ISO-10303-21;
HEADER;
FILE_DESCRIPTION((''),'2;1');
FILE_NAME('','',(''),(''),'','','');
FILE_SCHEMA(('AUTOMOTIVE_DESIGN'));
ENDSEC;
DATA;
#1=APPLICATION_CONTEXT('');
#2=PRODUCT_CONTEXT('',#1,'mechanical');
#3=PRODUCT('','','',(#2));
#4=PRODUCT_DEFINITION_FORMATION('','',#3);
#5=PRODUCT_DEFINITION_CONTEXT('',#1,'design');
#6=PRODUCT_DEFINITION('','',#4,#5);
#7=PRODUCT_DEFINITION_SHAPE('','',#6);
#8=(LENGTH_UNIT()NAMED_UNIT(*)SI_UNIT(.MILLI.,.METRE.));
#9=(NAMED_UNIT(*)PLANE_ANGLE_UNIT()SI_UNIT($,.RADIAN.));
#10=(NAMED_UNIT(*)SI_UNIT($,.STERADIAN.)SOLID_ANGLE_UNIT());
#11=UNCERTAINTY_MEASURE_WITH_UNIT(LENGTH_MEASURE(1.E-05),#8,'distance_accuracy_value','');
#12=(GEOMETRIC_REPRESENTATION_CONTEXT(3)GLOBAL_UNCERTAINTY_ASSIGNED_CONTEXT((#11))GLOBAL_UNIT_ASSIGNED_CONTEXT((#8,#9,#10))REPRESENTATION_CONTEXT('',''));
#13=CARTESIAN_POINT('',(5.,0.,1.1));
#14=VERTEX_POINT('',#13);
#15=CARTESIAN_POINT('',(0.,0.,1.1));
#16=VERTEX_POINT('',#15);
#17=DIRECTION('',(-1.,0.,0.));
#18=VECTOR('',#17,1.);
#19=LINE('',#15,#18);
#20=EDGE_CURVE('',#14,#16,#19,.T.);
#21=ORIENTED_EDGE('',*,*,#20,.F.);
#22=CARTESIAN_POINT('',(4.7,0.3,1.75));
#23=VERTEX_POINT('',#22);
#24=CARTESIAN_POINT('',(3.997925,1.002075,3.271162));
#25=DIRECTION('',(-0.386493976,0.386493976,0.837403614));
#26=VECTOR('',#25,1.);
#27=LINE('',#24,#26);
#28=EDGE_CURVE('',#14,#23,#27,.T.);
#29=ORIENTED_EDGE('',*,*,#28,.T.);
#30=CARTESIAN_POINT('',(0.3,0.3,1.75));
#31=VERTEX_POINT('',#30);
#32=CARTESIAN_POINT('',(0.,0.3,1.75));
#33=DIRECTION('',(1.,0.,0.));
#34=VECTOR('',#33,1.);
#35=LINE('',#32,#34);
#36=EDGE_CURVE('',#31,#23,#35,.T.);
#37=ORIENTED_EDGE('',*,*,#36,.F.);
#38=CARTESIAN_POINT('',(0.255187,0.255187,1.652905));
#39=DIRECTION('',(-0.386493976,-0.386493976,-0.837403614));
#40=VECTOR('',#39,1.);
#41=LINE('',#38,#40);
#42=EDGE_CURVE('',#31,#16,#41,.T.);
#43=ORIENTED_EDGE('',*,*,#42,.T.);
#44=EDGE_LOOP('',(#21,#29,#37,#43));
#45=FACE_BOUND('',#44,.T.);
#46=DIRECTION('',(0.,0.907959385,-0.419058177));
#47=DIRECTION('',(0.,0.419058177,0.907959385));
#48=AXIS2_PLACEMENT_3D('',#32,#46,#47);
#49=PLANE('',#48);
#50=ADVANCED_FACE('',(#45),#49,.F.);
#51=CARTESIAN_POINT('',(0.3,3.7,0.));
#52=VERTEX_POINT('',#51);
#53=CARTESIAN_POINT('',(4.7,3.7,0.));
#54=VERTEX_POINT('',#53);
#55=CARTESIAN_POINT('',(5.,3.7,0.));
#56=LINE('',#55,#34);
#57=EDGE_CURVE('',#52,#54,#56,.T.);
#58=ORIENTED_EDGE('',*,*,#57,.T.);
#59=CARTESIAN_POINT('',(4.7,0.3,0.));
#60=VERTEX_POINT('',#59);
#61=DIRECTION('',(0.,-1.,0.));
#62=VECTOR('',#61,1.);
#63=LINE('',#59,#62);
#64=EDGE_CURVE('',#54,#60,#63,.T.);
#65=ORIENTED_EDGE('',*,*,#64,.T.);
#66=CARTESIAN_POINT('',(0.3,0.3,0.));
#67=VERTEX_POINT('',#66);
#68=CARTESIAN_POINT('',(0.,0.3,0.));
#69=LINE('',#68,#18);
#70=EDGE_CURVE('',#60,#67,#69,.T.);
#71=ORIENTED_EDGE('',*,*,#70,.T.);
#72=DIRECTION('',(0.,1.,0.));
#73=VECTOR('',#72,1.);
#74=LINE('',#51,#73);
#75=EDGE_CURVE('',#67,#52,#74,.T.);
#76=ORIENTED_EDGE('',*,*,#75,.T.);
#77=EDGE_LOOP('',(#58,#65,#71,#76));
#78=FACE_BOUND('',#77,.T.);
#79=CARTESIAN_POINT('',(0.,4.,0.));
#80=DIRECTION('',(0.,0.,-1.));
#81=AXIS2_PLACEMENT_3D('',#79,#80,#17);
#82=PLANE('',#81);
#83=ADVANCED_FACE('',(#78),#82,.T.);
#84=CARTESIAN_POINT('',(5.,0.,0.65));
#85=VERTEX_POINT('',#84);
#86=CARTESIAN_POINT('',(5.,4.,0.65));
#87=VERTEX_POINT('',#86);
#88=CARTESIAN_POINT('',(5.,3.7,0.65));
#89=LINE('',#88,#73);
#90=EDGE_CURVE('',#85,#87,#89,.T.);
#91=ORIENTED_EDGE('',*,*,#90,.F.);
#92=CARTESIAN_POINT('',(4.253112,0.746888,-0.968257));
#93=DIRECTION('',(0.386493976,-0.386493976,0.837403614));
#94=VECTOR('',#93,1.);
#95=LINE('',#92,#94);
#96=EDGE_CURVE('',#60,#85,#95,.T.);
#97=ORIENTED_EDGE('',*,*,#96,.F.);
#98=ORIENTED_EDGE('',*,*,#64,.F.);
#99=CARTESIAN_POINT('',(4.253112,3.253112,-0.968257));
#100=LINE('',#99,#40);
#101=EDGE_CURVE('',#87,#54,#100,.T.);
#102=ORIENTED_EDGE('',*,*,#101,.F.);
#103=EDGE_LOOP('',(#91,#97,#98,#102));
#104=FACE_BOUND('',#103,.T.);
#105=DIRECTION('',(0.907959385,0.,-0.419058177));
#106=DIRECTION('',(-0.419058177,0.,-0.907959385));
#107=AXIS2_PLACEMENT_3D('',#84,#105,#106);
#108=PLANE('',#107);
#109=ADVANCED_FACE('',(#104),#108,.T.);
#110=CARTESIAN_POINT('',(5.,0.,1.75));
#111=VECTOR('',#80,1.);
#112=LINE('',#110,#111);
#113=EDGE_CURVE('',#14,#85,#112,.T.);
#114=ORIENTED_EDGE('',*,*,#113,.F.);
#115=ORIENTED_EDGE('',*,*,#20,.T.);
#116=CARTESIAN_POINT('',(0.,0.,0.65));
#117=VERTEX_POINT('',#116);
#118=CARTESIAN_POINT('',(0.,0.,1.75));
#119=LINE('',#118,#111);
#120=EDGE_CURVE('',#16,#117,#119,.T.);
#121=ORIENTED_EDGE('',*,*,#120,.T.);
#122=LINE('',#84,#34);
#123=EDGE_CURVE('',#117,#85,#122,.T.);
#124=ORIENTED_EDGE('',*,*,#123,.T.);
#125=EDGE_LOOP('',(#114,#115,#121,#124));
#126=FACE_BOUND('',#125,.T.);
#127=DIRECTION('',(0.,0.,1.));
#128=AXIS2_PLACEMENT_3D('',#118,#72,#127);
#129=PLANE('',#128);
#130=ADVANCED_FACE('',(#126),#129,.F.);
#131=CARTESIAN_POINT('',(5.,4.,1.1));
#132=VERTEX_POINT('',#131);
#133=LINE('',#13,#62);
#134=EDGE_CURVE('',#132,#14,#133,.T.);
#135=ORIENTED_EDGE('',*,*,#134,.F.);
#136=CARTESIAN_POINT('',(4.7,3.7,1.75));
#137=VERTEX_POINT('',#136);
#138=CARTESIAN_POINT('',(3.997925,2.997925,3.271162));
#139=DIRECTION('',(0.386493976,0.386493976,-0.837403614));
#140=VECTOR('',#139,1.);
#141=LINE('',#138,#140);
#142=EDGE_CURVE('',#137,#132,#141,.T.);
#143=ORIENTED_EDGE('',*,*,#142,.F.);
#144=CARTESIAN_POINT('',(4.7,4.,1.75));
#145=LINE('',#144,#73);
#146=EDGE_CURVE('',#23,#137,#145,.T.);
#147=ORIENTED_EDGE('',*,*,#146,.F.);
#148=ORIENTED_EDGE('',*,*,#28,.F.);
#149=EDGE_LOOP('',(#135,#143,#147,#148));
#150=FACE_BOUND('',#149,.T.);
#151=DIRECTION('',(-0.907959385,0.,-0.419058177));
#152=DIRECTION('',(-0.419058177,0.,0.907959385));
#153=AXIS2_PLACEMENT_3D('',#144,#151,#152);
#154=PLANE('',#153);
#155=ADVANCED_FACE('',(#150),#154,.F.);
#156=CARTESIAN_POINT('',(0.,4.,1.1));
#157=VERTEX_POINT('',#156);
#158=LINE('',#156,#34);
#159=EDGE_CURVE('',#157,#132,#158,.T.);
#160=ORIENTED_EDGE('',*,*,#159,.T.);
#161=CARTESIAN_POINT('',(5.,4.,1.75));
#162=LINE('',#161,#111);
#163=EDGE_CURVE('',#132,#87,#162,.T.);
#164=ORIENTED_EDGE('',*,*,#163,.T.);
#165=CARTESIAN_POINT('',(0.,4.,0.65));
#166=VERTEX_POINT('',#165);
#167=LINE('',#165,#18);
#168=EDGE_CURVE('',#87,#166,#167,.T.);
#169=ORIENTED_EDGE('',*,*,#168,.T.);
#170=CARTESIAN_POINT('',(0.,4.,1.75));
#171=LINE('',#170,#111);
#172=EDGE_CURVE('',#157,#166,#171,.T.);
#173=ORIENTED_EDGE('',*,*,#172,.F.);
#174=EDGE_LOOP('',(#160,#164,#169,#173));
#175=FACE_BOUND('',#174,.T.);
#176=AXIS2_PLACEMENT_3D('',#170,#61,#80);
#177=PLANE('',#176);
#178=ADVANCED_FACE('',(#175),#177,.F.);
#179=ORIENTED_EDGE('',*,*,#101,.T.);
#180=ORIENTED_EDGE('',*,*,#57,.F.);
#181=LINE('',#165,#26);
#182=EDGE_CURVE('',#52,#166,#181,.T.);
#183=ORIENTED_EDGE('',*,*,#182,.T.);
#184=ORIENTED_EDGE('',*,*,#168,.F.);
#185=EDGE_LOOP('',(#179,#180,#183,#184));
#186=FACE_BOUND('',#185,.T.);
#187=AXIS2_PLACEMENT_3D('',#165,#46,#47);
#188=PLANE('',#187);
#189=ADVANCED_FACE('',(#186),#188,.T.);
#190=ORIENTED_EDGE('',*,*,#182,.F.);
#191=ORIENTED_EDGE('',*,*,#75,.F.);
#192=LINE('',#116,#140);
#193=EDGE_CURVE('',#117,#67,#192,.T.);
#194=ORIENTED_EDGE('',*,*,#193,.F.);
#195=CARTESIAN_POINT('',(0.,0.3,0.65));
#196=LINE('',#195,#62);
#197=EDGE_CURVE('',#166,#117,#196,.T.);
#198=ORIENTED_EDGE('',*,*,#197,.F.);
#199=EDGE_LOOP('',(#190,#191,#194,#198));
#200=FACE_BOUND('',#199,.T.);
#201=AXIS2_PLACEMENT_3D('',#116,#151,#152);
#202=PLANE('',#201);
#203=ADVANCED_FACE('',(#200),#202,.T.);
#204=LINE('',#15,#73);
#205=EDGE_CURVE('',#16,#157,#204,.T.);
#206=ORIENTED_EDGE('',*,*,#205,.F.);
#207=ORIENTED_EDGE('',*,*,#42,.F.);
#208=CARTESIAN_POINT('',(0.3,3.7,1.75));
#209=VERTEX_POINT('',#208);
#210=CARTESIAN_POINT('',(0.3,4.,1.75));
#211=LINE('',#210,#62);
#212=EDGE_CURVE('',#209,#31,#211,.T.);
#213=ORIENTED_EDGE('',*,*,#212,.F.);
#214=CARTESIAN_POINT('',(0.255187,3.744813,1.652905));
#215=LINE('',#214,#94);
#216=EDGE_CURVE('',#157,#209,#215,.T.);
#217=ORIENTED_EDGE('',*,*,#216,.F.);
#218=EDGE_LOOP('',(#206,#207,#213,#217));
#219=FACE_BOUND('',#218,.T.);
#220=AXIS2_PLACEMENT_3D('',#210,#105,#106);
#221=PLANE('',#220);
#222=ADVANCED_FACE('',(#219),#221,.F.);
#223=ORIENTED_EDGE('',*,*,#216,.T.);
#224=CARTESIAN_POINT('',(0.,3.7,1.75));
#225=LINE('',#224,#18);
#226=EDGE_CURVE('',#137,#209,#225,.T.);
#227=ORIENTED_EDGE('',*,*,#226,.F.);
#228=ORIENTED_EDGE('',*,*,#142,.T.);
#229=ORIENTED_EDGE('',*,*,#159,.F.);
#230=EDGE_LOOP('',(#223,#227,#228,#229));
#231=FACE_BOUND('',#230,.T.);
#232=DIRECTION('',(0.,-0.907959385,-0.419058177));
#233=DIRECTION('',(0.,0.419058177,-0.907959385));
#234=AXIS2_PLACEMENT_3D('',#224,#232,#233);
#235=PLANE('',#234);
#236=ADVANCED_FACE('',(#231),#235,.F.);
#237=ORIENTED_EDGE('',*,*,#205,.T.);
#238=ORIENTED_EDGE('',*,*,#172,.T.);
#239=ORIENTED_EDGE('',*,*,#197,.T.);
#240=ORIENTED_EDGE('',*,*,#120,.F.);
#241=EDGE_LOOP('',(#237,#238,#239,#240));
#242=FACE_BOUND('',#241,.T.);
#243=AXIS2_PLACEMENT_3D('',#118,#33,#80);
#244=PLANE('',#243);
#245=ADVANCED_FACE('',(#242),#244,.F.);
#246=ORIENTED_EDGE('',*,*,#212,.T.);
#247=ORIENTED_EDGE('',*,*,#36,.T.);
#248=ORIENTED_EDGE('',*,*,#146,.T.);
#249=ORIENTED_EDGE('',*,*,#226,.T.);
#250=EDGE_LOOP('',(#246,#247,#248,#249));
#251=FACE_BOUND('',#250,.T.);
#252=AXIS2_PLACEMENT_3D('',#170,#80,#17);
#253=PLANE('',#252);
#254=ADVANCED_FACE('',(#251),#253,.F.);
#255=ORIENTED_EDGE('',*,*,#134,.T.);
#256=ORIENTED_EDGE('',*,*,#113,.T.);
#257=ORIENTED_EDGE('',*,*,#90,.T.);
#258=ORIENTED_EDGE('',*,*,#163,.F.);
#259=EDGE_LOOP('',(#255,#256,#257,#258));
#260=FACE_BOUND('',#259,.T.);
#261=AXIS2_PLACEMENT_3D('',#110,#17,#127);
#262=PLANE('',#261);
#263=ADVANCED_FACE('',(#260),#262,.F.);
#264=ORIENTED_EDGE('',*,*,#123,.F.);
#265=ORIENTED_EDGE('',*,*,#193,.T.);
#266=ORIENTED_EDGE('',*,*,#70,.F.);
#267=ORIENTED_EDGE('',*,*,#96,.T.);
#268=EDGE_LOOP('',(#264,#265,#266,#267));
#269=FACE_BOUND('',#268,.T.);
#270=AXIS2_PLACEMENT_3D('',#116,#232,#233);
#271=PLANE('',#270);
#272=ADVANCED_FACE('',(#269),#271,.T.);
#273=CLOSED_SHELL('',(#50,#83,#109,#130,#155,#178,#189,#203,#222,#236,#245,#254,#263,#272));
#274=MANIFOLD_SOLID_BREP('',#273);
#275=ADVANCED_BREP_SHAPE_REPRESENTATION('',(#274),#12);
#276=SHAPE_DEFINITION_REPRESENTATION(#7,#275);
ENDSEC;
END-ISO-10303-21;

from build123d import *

# Parameters (mm, degrees)
ESQUISSE1_W        = 5
ESQUISSE1_H        = 4
BOSS_EXTRU_1_DEPTH = 1.75
CHANFREIN1_SIZE    = 0.65
CHANFREIN1_SIZE2   = 0.3
CHANFREIN2_SIZE    = 0.3
CHANFREIN2_SIZE2   = 0.65
CHANFREIN3_SIZE    = 0.65
CHANFREIN3_SIZE2   = 0.3
CHANFREIN4_SIZE    = 0.3
CHANFREIN4_SIZE2   = 0.65
CHANFREIN5_SIZE    = 0.65
CHANFREIN5_SIZE2   = 0.3
CHANFREIN6_SIZE    = 0.3
CHANFREIN6_SIZE2   = 0.65
CHANFREIN7_SIZE    = 0.65
CHANFREIN7_SIZE2   = 0.3
CHANFREIN8_SIZE    = 0.3
CHANFREIN8_SIZE2   = 0.65


with BuildPart() as part:
    # Esquisse1 → Boss.-Extru.1 (new body)
    with BuildSketch(Plane.XY):
        with Locations((2.5, 2)):
            Rectangle(ESQUISSE1_W, ESQUISSE1_H)
    extrude(amount=BOSS_EXTRU_1_DEPTH)

    # Chanfrein1
    chanfrein1_edges = [part.edges().sort_by_distance(p)[0] for p in [
        (2.5, 0, 1.75),
    ]]
    chanfrein1_side = [part.faces().sort_by_distance(p)[0] for p in [
        (2.5, 0, 0.875),
    ]]
    chamfer(chanfrein1_edges, length=CHANFREIN1_SIZE, length2=CHANFREIN1_SIZE2, reference=chanfrein1_side[0])

    # Chanfrein2
    chanfrein2_edges = [part.edges().sort_by_distance(p)[0] for p in [
        (2.5, 0, 0),
    ]]
    chanfrein2_side = [part.faces().sort_by_distance(p)[0] for p in [
        (2.5, 2, 0),
    ]]
    chamfer(chanfrein2_edges, length=CHANFREIN2_SIZE, length2=CHANFREIN2_SIZE2, reference=chanfrein2_side[0])

    # Chanfrein3
    chanfrein3_edges = [part.edges().sort_by_distance(p)[0] for p in [
        (2.5, 4, 1.75),
    ]]
    chanfrein3_side = [part.faces().sort_by_distance(p)[0] for p in [
        (2.5, 4, 0.875),
    ]]
    chamfer(chanfrein3_edges, length=CHANFREIN3_SIZE, length2=CHANFREIN3_SIZE2, reference=chanfrein3_side[0])

    # Chanfrein4
    chanfrein4_edges = [part.edges().sort_by_distance(p)[0] for p in [
        (2.5, 4, 0),
    ]]
    chanfrein4_side = [part.faces().sort_by_distance(p)[0] for p in [
        (2.5, 2.15, 0),
    ]]
    chamfer(chanfrein4_edges, length=CHANFREIN4_SIZE, length2=CHANFREIN4_SIZE2, reference=chanfrein4_side[0])

    # Chanfrein5
    chanfrein5_edges = [part.edges().sort_by_distance(p)[0] for p in [
        (0, 2, 1.75),
    ]]
    chanfrein5_side = [part.faces().sort_by_distance(p)[0] for p in [
        (0, 2, 0.875),
    ]]
    chamfer(chanfrein5_edges, length=CHANFREIN5_SIZE, length2=CHANFREIN5_SIZE2, reference=chanfrein5_side[0])

    # Chanfrein6
    chanfrein6_edges = [part.edges().sort_by_distance(p)[0] for p in [
        (0, 2, 0),
    ]]
    chanfrein6_side = [part.faces().sort_by_distance(p)[0] for p in [
        (2.5, 2, 0),
    ]]
    chamfer(chanfrein6_edges, length=CHANFREIN6_SIZE, length2=CHANFREIN6_SIZE2, reference=chanfrein6_side[0])

    # Chanfrein7
    chanfrein7_edges = [part.edges().sort_by_distance(p)[0] for p in [
        (5, 2, 1.75),
    ]]
    chanfrein7_side = [part.faces().sort_by_distance(p)[0] for p in [
        (5, 2, 0.875),
    ]]
    chamfer(chanfrein7_edges, length=CHANFREIN7_SIZE, length2=CHANFREIN7_SIZE2, reference=chanfrein7_side[0])

    # Chanfrein8
    chanfrein8_edges = [part.edges().sort_by_distance(p)[0] for p in [
        (5, 2, 0),
    ]]
    chanfrein8_side = [part.faces().sort_by_distance(p)[0] for p in [
        (2.65, 2, 0),
    ]]
    chamfer(chanfrein8_edges, length=CHANFREIN8_SIZE, length2=CHANFREIN8_SIZE2, reference=chanfrein8_side[0])


solid = part.part
